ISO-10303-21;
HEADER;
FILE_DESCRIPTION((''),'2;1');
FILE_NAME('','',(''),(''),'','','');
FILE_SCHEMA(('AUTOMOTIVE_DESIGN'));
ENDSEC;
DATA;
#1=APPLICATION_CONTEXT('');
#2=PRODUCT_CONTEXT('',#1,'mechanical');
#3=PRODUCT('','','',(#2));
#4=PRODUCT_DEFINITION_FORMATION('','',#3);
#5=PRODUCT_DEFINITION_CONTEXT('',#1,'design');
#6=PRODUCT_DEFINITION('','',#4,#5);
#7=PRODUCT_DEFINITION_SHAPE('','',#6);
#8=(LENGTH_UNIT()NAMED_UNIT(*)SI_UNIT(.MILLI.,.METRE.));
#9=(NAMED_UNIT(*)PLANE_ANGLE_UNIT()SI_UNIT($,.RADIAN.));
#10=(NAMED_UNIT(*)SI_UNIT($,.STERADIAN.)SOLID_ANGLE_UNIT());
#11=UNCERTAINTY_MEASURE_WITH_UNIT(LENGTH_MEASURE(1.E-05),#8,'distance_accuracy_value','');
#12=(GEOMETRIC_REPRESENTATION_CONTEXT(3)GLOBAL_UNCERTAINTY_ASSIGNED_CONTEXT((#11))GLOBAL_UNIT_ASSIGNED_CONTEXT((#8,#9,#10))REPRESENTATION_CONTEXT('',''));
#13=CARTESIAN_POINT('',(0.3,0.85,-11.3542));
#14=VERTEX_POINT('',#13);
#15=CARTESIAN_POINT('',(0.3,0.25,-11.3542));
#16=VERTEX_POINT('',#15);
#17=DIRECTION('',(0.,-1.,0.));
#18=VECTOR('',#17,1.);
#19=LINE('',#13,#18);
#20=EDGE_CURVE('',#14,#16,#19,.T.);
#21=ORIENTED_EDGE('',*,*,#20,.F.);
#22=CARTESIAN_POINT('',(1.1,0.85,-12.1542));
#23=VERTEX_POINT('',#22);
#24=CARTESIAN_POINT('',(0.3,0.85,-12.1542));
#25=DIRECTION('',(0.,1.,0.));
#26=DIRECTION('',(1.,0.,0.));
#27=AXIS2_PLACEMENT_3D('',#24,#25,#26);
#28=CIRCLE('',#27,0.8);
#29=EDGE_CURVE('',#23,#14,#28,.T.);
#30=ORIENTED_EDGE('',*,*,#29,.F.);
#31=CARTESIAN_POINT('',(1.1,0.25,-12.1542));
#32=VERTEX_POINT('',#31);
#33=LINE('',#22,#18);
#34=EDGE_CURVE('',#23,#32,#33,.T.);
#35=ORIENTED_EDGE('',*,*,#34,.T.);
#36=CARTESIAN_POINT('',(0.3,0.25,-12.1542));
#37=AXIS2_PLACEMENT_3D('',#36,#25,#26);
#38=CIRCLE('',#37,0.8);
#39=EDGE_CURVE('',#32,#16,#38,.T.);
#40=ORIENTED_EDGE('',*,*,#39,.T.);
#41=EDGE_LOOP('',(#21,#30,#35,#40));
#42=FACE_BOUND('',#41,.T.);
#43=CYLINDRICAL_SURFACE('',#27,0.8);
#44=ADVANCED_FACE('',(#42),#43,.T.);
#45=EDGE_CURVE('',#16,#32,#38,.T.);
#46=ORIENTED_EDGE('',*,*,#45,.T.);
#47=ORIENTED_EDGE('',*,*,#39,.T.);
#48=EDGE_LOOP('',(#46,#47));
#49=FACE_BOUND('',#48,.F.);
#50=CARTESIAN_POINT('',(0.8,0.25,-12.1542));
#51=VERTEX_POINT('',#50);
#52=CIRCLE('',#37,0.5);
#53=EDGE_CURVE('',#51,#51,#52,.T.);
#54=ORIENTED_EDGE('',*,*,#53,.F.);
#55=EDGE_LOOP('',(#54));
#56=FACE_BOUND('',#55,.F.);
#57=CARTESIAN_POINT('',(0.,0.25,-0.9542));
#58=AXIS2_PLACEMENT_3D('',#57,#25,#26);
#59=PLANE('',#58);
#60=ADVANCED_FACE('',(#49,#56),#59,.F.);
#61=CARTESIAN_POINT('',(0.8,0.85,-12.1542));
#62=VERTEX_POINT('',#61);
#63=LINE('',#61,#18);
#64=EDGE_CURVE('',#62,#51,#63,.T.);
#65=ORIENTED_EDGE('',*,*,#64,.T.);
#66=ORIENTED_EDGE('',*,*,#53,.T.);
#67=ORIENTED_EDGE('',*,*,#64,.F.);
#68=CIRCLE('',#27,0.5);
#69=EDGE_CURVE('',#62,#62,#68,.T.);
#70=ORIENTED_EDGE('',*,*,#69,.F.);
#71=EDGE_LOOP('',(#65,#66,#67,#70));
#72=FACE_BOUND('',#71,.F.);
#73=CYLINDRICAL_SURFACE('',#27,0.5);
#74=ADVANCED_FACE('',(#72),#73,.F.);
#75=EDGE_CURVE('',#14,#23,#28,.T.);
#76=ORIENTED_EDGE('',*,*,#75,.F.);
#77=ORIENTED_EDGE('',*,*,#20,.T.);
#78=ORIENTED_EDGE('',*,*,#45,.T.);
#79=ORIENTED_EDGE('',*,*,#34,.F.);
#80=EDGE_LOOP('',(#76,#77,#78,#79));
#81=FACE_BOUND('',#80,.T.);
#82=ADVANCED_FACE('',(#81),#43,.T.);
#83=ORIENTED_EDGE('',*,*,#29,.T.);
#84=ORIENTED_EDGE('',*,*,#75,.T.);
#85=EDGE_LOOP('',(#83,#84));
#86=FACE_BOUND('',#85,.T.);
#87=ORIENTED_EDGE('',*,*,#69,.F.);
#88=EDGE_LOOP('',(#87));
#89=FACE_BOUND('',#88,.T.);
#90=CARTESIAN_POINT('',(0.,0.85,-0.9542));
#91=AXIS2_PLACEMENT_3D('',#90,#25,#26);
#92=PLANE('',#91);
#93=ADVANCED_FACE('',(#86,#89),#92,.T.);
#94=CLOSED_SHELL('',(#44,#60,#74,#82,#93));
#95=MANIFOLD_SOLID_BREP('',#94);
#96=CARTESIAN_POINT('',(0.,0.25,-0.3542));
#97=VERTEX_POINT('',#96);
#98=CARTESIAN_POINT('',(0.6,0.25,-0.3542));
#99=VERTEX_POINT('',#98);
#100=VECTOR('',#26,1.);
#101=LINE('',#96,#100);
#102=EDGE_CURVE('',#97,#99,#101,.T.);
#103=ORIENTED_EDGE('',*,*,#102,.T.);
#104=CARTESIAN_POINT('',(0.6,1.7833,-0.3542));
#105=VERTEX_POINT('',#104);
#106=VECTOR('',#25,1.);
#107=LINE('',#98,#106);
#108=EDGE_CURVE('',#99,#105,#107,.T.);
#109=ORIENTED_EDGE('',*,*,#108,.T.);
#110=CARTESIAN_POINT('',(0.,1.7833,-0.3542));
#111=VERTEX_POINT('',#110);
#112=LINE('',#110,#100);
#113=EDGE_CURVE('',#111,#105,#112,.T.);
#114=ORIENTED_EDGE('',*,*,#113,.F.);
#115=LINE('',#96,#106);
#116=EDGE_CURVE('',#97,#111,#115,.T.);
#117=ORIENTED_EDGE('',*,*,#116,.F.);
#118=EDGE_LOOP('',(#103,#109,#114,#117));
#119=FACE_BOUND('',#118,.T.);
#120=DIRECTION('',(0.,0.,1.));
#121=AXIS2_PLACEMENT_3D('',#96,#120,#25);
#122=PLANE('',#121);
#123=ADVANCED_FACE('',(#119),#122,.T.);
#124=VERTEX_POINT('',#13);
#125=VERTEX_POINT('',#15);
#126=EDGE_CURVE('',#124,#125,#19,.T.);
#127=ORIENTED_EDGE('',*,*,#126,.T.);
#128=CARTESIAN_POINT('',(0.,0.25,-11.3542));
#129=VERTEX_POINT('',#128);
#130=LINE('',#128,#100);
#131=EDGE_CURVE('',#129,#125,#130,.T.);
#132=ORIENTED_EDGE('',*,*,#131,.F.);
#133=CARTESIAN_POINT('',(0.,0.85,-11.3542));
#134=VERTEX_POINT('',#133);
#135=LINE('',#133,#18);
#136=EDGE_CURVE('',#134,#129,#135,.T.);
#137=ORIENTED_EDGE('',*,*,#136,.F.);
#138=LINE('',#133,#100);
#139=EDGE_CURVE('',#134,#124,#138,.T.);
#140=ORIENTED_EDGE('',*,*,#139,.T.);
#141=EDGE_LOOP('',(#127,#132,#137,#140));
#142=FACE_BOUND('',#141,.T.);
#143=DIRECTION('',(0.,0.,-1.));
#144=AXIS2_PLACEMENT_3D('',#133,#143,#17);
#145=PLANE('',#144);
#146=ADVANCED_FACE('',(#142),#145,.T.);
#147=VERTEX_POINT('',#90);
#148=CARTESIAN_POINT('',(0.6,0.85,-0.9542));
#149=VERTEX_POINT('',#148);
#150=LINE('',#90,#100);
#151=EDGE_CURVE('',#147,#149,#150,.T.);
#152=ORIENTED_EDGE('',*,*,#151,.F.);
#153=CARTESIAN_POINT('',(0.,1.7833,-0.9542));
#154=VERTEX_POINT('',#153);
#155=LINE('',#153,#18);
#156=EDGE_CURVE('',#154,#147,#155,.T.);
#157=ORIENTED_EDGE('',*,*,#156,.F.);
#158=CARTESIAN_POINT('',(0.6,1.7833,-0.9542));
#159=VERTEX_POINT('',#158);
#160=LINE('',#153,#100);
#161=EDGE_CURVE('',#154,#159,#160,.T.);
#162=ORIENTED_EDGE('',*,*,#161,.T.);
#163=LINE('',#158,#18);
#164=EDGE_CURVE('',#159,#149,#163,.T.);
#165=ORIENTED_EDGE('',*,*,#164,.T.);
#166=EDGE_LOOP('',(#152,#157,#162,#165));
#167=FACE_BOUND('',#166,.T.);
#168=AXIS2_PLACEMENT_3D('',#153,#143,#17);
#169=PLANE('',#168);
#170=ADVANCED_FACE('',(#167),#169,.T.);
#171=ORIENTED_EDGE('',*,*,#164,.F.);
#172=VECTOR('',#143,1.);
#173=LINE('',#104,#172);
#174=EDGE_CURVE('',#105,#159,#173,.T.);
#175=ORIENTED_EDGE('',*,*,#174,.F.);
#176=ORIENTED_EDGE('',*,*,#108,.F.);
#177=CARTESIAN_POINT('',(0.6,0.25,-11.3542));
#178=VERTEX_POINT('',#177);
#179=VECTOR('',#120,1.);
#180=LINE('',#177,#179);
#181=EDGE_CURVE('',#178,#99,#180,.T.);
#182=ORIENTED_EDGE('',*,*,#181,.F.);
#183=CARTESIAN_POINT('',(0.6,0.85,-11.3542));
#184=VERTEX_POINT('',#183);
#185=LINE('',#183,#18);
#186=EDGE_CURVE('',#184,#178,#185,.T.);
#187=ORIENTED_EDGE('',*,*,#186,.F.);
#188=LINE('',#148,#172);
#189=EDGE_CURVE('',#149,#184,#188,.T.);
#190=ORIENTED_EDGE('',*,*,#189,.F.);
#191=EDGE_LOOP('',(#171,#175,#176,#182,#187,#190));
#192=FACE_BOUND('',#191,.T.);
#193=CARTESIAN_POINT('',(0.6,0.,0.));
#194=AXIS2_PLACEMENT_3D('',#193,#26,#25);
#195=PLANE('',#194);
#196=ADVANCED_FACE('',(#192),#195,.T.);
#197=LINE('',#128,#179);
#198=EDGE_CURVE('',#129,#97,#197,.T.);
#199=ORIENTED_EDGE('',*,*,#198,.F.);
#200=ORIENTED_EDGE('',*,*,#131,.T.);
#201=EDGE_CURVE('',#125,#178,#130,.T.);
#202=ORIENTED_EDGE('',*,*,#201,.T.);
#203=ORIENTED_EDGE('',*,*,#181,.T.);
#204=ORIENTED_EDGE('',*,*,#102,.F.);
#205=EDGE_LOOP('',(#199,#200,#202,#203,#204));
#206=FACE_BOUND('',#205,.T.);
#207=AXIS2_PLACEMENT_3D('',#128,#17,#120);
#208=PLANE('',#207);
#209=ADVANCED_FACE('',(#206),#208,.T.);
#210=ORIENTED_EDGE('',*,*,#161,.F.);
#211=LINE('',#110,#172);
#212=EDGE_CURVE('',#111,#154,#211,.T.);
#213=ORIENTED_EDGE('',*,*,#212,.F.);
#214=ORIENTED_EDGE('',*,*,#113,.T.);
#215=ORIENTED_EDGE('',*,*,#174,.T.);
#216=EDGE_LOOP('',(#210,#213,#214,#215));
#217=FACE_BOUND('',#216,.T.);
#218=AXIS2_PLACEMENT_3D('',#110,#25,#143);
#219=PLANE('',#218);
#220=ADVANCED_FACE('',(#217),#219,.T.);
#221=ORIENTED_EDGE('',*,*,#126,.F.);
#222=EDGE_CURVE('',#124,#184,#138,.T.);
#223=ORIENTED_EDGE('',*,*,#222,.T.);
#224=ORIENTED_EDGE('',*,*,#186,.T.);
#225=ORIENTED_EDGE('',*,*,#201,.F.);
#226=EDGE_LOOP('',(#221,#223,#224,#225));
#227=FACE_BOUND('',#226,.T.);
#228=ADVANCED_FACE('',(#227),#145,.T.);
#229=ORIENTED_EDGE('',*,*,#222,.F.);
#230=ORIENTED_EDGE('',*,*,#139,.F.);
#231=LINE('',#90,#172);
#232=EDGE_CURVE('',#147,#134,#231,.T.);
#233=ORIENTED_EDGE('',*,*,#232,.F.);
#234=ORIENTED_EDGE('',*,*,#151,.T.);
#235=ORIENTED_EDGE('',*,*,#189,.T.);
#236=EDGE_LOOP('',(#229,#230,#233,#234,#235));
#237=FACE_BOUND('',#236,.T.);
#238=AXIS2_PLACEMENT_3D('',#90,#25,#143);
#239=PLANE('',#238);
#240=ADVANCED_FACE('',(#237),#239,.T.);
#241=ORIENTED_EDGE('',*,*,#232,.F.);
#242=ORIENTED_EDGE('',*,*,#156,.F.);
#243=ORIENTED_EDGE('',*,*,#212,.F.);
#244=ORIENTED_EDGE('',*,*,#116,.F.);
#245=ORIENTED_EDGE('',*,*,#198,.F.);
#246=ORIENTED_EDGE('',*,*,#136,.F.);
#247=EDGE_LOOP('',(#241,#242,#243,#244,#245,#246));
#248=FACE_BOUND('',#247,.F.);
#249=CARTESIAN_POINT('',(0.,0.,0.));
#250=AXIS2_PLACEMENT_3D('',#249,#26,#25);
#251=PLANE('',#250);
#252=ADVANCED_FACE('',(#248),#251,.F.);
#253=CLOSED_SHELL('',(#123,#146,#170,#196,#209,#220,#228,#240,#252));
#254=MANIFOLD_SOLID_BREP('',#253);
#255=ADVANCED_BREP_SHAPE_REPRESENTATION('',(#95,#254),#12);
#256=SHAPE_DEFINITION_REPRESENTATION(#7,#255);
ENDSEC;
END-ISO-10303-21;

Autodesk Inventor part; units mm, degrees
ref_plane "YZ Plane" through (0, 0, 0) normal (1, 0, 0) x (0, 1, 0)
ref_plane "XZ Plane" through (0, 0, 0) normal (0, 1, 0) x (-1, 0, 0)
ref_plane "XY Plane" through (0, 0, 0) normal (0, 0, 1) x (1, 0, 0)
sketch "Skizze1" plane through (0, 0, 0) normal (1, 0, 0) x (0, 1, 0)
  line L0 (1.7833, -0.9542) -> (0.85, -0.9542)
  line L1 (0.85, -0.9542) -> (0.85, -11.3542)
  line L2 (0.85, -11.3542) -> (0.25, -11.3542)
  line L3 (0.25, -11.3542) -> (0.25, -0.3542)
  line L4 (0.25, -0.3542) -> (1.7833, -0.3542)
  line L5 (1.7833, -0.3542) -> (1.7833, -0.9542)
  point P0 (0, 0)
  dimension "d0" = 0.6
  dimension "d1" = 0.6
  dimension "d2" = 11
extrude "Extrusion1" add sketch "Skizze1" along normal blind 0.6
sketch "Skizze4" plane through (0, 0.85, -0.9542) normal (0, 1, 0) x (1, 0, 0)
  line L0 (0, 10.4) -> (0.6, 10.4)
  line L1 (0, 10.4) -> (0.6, 10.4) projected
  circle A0 centre (0.3, 11.2) radius 0.8
  line L2 (0, 10.4) -> (0.6, 10.4) projected
  point P0 (0, -0.9542)
  dimension "d14" = 1.6
extrude "Extrusion3" add sketch "Skizze4" against normal blind 0.6
sketch "Skizze6" plane through (0.3, 0.85, -12.1542) normal (0, 1, 0) x (1, 0, 0)
  circle A0 centre (0, 0) radius 0.5
  circle A1 centre (0, 0) radius 0.8 projected
  point P0 (-0.3, -12.1542)
  point P1 (0, -0.8)
  dimension "d15" = 1
extrude "Extrusion5" cut sketch "Skizze6" against normal blind 0.6 contours A0
properties part number "LegAnode" material "Aluminium 6061"
